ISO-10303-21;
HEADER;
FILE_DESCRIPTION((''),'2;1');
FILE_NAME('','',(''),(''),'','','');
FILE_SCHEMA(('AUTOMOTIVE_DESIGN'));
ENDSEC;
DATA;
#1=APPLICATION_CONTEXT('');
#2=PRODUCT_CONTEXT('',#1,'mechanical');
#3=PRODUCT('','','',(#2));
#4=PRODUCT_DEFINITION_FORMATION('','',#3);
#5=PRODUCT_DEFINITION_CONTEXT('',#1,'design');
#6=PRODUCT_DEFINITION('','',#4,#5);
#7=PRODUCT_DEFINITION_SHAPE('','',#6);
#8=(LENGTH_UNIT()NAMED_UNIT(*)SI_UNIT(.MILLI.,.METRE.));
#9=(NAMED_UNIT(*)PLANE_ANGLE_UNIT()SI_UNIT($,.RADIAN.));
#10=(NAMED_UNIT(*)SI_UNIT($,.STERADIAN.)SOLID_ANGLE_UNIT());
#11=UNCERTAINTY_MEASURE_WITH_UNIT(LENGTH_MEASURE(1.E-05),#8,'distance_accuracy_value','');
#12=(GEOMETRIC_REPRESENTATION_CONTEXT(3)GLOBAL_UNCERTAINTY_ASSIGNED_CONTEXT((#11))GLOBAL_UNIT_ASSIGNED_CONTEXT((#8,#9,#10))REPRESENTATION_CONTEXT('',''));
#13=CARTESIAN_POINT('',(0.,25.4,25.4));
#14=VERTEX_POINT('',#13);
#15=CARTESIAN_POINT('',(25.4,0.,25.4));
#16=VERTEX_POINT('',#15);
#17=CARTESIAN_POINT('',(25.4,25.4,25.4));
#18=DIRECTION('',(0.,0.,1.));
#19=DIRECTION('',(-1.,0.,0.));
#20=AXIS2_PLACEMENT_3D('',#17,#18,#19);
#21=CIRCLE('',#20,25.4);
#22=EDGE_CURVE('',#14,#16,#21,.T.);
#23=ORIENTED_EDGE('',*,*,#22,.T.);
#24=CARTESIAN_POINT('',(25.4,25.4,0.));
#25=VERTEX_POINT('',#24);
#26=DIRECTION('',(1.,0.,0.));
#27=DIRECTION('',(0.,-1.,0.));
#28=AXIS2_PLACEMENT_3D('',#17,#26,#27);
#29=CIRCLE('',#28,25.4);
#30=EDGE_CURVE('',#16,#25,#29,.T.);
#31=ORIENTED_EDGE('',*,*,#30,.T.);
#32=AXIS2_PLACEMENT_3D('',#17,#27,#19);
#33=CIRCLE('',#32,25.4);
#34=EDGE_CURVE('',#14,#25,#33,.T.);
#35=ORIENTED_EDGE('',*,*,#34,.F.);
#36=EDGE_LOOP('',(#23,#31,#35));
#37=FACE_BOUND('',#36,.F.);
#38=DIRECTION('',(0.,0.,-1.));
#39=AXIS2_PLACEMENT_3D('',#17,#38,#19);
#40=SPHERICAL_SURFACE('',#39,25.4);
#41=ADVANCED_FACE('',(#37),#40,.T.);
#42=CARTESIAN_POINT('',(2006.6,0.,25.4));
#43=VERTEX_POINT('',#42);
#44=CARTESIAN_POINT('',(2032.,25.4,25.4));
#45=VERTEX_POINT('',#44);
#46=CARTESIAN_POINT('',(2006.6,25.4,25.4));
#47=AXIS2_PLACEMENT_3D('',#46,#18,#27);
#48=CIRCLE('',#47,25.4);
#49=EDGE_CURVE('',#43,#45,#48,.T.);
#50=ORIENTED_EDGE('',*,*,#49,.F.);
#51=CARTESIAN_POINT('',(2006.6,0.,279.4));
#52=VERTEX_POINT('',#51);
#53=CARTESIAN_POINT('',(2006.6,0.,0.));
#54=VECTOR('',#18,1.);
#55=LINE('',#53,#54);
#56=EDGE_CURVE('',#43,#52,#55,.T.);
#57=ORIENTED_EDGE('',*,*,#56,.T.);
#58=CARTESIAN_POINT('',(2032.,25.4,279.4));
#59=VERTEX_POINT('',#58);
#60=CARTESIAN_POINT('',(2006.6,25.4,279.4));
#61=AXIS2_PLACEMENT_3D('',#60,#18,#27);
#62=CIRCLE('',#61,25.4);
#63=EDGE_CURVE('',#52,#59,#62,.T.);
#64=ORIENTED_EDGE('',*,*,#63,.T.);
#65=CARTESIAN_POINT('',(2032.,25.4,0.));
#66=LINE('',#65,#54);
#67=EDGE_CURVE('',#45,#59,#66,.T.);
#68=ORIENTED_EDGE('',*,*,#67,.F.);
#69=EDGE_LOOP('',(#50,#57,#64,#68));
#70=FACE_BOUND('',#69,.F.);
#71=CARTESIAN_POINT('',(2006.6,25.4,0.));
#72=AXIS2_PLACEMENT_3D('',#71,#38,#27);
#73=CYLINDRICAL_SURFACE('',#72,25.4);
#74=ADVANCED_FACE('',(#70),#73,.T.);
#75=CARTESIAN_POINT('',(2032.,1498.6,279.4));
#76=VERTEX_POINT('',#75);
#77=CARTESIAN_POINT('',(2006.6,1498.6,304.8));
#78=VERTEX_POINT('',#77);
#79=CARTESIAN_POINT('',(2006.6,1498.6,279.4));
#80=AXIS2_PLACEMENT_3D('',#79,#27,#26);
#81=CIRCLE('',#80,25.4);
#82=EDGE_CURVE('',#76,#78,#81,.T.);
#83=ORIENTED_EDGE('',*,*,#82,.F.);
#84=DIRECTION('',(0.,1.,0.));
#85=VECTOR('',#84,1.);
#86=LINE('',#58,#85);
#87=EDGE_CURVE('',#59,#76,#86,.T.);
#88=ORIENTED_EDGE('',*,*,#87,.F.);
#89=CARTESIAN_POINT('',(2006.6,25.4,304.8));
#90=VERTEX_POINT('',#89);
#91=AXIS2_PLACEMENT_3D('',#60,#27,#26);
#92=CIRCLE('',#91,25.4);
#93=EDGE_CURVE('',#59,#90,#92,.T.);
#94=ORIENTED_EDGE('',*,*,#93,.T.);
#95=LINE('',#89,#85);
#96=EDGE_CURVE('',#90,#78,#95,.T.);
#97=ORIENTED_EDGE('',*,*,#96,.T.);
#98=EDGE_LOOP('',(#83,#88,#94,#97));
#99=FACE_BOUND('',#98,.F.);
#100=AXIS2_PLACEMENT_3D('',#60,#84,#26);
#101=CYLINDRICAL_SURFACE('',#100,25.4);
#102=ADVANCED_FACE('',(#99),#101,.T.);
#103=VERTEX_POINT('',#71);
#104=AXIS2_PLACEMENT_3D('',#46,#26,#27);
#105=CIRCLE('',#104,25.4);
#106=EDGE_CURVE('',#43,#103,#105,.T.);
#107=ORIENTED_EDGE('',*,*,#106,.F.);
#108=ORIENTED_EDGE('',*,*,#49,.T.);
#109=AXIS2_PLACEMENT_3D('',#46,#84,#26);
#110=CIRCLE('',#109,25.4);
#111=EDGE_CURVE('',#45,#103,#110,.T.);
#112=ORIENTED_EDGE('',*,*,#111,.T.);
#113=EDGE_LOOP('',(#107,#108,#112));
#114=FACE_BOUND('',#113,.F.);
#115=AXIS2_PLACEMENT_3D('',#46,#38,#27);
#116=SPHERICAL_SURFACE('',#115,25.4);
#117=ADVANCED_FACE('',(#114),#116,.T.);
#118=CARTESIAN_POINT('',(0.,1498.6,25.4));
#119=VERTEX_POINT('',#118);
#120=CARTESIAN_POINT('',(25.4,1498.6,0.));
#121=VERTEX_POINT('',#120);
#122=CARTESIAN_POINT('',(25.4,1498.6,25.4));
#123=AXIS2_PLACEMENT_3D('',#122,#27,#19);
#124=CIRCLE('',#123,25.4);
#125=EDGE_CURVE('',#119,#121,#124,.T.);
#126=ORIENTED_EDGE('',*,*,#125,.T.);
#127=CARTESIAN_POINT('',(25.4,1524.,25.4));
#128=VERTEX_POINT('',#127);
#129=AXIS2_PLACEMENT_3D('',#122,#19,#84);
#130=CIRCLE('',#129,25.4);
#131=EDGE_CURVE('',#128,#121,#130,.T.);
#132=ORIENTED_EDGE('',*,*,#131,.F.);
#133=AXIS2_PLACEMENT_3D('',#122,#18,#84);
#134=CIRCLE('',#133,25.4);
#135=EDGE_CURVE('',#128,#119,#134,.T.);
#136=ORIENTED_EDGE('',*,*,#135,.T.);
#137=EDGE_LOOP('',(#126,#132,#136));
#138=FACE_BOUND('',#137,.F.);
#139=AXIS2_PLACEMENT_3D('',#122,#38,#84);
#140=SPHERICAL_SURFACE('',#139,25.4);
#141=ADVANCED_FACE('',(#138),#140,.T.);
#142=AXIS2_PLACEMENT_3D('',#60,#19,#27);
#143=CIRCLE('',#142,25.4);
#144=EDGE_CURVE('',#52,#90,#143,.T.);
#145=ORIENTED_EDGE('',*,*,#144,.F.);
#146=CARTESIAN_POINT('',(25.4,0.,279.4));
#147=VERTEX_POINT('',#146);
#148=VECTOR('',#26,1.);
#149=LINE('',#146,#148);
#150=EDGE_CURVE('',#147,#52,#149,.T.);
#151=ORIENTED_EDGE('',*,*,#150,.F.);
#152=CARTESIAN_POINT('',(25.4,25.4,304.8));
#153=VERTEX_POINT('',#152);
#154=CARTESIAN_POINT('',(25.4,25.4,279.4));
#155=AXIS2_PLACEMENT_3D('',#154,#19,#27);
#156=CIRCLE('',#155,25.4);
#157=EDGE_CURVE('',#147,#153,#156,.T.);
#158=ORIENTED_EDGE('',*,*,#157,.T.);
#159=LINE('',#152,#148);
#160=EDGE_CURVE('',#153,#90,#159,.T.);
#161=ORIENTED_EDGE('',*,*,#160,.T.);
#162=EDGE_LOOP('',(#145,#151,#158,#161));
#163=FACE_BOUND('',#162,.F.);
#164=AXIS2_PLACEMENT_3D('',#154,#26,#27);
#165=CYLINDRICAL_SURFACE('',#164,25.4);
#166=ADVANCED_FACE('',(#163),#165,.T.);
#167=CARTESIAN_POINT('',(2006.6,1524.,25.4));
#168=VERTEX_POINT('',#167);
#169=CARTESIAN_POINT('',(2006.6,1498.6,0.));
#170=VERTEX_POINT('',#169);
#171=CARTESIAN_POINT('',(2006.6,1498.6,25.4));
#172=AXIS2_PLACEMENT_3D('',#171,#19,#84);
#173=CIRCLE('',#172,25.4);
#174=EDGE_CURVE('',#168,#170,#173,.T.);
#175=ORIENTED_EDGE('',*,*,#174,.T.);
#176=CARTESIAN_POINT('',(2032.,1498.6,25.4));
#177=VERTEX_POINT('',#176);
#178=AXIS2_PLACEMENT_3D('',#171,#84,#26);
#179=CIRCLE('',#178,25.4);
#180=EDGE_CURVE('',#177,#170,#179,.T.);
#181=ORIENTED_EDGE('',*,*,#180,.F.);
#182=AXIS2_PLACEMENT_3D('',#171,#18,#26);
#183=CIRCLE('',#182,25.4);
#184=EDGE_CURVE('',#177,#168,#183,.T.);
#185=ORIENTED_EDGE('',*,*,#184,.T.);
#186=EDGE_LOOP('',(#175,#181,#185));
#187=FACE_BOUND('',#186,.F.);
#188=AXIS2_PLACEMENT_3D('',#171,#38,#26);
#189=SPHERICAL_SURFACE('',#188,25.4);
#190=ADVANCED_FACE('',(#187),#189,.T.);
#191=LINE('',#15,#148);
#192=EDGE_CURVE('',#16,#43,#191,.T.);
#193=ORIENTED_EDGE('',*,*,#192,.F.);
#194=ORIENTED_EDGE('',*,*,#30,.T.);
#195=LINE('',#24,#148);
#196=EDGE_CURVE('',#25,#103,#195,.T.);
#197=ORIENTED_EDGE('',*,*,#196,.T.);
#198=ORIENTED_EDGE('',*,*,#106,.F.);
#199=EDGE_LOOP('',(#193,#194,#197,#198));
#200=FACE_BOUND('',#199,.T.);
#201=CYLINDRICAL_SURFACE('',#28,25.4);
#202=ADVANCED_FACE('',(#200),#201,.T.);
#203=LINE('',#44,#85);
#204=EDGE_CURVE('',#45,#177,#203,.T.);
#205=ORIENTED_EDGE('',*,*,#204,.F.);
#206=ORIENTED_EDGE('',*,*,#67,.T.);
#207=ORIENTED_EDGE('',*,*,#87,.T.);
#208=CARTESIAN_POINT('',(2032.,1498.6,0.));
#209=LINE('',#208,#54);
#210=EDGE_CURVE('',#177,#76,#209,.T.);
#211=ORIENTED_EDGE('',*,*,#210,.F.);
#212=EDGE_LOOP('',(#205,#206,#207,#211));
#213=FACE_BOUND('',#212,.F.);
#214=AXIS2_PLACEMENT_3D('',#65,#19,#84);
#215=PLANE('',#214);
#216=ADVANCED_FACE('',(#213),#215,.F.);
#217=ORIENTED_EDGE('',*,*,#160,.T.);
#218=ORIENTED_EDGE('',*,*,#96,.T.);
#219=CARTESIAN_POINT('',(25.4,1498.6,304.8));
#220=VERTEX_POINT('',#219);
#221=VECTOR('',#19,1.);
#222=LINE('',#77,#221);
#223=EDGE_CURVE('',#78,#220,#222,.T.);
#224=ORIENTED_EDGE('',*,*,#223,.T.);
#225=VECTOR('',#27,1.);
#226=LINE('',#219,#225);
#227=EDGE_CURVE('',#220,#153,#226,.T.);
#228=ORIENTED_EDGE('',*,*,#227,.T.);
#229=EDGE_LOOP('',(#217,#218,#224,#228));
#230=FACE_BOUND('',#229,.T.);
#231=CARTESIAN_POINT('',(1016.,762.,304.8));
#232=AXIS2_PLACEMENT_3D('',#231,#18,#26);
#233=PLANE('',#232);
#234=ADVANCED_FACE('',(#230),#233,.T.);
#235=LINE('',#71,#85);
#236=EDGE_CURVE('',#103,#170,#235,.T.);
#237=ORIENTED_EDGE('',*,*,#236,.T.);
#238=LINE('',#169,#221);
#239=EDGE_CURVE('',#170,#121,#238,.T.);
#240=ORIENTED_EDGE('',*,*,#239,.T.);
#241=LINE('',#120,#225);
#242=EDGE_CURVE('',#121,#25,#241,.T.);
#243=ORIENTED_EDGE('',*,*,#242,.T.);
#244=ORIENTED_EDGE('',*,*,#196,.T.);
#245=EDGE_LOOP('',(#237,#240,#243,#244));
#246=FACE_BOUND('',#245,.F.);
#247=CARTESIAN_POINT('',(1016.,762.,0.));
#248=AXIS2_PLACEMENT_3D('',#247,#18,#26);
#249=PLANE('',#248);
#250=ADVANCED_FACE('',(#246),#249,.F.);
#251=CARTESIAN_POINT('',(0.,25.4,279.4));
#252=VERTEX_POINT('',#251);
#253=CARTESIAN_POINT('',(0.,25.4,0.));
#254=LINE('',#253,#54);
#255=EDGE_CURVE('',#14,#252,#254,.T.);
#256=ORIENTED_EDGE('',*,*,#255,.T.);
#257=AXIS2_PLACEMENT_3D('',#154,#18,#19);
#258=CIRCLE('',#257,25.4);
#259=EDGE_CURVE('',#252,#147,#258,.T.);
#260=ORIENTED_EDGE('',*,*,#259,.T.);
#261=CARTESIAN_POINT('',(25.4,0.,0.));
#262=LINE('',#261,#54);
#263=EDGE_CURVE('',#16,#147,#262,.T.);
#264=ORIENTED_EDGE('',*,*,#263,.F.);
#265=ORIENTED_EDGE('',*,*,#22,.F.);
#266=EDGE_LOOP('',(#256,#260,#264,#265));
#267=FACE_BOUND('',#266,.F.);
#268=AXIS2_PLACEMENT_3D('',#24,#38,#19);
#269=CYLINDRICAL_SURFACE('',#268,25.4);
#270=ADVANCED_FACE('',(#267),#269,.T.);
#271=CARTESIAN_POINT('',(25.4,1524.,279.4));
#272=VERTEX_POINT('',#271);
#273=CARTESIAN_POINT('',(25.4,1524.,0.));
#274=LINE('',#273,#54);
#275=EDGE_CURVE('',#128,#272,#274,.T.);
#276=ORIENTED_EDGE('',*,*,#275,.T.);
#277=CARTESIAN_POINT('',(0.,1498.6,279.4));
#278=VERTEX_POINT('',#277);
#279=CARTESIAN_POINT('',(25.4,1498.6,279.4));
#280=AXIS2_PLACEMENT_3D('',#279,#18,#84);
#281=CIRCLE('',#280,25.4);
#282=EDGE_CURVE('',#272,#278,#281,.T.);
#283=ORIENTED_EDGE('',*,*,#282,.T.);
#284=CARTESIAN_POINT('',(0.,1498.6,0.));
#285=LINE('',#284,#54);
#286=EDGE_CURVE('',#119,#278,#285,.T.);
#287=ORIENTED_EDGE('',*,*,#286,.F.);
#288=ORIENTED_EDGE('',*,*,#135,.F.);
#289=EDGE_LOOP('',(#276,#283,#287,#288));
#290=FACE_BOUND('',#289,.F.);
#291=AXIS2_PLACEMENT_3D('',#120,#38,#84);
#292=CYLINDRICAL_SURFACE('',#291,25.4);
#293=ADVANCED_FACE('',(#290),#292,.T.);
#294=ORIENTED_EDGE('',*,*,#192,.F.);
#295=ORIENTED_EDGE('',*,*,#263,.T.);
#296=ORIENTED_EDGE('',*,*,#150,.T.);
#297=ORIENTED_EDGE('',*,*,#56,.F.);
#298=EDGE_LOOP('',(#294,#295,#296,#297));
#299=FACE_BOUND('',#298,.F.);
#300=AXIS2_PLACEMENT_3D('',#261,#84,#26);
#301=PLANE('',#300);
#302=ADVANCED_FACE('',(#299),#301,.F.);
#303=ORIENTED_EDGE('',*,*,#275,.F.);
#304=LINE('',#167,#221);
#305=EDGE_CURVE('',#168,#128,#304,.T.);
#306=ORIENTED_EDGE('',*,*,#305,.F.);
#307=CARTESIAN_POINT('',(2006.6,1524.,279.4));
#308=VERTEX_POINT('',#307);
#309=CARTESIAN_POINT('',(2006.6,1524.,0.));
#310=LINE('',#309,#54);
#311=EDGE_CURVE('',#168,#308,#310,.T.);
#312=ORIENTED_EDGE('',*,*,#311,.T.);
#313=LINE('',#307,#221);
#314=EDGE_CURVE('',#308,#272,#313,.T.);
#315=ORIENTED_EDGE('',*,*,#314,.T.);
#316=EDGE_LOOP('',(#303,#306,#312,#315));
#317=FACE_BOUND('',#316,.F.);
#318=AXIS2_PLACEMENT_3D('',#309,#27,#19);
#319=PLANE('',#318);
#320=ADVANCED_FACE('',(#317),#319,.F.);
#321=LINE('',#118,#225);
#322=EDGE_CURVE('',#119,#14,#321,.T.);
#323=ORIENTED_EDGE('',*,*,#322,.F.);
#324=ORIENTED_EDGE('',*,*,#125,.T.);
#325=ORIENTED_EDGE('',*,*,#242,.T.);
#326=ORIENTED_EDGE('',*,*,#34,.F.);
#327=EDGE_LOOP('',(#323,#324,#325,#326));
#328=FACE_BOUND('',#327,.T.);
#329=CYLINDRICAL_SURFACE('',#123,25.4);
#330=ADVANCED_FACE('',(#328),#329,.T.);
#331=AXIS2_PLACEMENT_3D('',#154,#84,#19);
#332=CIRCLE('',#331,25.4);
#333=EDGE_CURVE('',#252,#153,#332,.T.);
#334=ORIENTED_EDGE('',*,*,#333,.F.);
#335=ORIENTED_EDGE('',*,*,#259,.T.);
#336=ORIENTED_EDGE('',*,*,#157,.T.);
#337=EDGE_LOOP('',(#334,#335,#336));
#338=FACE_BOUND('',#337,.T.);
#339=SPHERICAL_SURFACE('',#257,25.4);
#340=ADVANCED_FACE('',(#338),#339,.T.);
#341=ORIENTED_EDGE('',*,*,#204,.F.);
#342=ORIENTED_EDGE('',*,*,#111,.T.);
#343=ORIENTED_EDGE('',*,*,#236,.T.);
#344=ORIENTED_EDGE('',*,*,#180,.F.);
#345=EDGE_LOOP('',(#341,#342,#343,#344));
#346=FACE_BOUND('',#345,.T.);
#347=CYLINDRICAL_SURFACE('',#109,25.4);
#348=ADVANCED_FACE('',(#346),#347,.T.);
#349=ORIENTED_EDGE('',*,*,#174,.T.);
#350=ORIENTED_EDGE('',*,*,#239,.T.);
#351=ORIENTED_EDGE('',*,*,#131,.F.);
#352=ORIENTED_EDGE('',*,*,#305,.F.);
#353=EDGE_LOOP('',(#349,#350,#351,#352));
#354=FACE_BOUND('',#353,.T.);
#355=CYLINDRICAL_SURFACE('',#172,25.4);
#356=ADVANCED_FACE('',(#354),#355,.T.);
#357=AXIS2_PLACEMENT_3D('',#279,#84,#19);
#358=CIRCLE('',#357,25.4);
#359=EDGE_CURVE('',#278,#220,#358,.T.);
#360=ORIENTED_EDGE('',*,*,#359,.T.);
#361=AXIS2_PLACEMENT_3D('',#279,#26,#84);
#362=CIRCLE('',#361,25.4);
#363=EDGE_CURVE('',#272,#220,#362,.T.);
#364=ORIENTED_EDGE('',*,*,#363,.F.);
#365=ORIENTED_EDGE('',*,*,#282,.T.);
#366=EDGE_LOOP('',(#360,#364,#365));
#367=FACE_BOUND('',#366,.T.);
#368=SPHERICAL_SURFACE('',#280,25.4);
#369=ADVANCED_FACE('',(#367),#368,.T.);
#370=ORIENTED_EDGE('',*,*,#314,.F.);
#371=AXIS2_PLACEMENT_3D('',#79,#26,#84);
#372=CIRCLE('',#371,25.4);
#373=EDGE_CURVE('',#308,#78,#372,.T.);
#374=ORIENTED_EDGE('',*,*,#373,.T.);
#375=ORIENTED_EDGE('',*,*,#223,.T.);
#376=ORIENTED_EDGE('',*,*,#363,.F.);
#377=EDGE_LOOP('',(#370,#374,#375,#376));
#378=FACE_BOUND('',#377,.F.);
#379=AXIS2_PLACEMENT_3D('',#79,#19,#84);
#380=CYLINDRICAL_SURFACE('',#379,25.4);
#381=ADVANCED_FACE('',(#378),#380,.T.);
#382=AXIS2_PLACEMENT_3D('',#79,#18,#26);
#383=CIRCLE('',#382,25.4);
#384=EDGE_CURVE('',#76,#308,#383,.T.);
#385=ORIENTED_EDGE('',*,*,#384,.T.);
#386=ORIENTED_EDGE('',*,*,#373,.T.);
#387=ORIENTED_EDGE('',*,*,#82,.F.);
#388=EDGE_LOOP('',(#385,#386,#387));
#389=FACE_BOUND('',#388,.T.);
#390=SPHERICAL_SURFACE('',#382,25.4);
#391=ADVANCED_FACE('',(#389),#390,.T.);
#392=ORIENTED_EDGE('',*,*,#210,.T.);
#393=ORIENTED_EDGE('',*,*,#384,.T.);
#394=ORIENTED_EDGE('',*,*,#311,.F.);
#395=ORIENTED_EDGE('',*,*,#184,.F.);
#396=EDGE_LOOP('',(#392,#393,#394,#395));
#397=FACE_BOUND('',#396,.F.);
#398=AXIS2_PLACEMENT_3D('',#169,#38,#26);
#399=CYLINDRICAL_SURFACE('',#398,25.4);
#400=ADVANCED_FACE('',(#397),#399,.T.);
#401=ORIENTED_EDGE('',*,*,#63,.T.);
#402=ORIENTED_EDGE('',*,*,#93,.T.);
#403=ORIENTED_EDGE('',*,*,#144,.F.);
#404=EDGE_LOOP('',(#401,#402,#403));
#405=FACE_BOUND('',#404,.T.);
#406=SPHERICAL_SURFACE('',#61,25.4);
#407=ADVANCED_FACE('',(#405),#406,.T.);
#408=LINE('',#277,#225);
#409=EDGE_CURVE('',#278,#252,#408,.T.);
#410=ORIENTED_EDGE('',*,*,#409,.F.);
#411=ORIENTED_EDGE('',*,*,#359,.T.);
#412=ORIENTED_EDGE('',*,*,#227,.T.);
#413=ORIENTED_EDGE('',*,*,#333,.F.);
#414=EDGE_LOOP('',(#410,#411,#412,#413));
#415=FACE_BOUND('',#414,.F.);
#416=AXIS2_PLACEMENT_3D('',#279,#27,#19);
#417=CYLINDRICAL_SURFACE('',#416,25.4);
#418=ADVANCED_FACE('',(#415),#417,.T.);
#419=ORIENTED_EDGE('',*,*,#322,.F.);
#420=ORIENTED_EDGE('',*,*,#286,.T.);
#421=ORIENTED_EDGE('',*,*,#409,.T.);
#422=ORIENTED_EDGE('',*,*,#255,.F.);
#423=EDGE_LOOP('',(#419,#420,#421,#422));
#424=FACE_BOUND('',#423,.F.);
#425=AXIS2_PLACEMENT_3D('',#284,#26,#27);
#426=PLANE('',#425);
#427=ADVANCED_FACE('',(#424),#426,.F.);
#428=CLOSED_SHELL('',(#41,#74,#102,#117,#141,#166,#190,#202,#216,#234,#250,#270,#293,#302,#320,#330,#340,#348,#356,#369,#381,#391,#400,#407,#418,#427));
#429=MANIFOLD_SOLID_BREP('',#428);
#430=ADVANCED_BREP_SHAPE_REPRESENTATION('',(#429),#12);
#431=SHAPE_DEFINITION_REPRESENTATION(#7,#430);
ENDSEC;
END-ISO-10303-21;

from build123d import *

# Parameters (mm, degrees)
F1_DEPTH = 304.8
F2_R     = 25.4


with BuildPart() as f1:
    # F0 (on Top) → F1 (new body)
    with BuildSketch(Plane.XY):
        with BuildLine():
            ThreePointArc((0, 25.4), (7.4394877579, 7.4394877579), (25.4, 0))
            Line((25.4, 0), (2006.6, 0))
            ThreePointArc((2006.6, 0), (2024.5605122421, 7.4394877579), (2032, 25.4))
            Line((2032, 25.4), (2032, 1498.6))
            ThreePointArc((2032, 1498.6), (2024.5605122421, 1516.5605122421), (2006.6, 1524))
            Line((2006.6, 1524), (25.4, 1524))
            ThreePointArc((25.4, 1524), (7.4394877579, 1516.5605122421), (0, 1498.6))
            Line((0, 1498.6), (0, 25.4))
        make_face()
    extrude(amount=F1_DEPTH)

    # F2
    f2_edges = [f1.edges().sort_by_distance(p)[0] for p in [
        (1016, 0, 304.8),
        (1016, 0, 0),
    ]]
    fillet(f2_edges, radius=F2_R)


solid = f1.part
